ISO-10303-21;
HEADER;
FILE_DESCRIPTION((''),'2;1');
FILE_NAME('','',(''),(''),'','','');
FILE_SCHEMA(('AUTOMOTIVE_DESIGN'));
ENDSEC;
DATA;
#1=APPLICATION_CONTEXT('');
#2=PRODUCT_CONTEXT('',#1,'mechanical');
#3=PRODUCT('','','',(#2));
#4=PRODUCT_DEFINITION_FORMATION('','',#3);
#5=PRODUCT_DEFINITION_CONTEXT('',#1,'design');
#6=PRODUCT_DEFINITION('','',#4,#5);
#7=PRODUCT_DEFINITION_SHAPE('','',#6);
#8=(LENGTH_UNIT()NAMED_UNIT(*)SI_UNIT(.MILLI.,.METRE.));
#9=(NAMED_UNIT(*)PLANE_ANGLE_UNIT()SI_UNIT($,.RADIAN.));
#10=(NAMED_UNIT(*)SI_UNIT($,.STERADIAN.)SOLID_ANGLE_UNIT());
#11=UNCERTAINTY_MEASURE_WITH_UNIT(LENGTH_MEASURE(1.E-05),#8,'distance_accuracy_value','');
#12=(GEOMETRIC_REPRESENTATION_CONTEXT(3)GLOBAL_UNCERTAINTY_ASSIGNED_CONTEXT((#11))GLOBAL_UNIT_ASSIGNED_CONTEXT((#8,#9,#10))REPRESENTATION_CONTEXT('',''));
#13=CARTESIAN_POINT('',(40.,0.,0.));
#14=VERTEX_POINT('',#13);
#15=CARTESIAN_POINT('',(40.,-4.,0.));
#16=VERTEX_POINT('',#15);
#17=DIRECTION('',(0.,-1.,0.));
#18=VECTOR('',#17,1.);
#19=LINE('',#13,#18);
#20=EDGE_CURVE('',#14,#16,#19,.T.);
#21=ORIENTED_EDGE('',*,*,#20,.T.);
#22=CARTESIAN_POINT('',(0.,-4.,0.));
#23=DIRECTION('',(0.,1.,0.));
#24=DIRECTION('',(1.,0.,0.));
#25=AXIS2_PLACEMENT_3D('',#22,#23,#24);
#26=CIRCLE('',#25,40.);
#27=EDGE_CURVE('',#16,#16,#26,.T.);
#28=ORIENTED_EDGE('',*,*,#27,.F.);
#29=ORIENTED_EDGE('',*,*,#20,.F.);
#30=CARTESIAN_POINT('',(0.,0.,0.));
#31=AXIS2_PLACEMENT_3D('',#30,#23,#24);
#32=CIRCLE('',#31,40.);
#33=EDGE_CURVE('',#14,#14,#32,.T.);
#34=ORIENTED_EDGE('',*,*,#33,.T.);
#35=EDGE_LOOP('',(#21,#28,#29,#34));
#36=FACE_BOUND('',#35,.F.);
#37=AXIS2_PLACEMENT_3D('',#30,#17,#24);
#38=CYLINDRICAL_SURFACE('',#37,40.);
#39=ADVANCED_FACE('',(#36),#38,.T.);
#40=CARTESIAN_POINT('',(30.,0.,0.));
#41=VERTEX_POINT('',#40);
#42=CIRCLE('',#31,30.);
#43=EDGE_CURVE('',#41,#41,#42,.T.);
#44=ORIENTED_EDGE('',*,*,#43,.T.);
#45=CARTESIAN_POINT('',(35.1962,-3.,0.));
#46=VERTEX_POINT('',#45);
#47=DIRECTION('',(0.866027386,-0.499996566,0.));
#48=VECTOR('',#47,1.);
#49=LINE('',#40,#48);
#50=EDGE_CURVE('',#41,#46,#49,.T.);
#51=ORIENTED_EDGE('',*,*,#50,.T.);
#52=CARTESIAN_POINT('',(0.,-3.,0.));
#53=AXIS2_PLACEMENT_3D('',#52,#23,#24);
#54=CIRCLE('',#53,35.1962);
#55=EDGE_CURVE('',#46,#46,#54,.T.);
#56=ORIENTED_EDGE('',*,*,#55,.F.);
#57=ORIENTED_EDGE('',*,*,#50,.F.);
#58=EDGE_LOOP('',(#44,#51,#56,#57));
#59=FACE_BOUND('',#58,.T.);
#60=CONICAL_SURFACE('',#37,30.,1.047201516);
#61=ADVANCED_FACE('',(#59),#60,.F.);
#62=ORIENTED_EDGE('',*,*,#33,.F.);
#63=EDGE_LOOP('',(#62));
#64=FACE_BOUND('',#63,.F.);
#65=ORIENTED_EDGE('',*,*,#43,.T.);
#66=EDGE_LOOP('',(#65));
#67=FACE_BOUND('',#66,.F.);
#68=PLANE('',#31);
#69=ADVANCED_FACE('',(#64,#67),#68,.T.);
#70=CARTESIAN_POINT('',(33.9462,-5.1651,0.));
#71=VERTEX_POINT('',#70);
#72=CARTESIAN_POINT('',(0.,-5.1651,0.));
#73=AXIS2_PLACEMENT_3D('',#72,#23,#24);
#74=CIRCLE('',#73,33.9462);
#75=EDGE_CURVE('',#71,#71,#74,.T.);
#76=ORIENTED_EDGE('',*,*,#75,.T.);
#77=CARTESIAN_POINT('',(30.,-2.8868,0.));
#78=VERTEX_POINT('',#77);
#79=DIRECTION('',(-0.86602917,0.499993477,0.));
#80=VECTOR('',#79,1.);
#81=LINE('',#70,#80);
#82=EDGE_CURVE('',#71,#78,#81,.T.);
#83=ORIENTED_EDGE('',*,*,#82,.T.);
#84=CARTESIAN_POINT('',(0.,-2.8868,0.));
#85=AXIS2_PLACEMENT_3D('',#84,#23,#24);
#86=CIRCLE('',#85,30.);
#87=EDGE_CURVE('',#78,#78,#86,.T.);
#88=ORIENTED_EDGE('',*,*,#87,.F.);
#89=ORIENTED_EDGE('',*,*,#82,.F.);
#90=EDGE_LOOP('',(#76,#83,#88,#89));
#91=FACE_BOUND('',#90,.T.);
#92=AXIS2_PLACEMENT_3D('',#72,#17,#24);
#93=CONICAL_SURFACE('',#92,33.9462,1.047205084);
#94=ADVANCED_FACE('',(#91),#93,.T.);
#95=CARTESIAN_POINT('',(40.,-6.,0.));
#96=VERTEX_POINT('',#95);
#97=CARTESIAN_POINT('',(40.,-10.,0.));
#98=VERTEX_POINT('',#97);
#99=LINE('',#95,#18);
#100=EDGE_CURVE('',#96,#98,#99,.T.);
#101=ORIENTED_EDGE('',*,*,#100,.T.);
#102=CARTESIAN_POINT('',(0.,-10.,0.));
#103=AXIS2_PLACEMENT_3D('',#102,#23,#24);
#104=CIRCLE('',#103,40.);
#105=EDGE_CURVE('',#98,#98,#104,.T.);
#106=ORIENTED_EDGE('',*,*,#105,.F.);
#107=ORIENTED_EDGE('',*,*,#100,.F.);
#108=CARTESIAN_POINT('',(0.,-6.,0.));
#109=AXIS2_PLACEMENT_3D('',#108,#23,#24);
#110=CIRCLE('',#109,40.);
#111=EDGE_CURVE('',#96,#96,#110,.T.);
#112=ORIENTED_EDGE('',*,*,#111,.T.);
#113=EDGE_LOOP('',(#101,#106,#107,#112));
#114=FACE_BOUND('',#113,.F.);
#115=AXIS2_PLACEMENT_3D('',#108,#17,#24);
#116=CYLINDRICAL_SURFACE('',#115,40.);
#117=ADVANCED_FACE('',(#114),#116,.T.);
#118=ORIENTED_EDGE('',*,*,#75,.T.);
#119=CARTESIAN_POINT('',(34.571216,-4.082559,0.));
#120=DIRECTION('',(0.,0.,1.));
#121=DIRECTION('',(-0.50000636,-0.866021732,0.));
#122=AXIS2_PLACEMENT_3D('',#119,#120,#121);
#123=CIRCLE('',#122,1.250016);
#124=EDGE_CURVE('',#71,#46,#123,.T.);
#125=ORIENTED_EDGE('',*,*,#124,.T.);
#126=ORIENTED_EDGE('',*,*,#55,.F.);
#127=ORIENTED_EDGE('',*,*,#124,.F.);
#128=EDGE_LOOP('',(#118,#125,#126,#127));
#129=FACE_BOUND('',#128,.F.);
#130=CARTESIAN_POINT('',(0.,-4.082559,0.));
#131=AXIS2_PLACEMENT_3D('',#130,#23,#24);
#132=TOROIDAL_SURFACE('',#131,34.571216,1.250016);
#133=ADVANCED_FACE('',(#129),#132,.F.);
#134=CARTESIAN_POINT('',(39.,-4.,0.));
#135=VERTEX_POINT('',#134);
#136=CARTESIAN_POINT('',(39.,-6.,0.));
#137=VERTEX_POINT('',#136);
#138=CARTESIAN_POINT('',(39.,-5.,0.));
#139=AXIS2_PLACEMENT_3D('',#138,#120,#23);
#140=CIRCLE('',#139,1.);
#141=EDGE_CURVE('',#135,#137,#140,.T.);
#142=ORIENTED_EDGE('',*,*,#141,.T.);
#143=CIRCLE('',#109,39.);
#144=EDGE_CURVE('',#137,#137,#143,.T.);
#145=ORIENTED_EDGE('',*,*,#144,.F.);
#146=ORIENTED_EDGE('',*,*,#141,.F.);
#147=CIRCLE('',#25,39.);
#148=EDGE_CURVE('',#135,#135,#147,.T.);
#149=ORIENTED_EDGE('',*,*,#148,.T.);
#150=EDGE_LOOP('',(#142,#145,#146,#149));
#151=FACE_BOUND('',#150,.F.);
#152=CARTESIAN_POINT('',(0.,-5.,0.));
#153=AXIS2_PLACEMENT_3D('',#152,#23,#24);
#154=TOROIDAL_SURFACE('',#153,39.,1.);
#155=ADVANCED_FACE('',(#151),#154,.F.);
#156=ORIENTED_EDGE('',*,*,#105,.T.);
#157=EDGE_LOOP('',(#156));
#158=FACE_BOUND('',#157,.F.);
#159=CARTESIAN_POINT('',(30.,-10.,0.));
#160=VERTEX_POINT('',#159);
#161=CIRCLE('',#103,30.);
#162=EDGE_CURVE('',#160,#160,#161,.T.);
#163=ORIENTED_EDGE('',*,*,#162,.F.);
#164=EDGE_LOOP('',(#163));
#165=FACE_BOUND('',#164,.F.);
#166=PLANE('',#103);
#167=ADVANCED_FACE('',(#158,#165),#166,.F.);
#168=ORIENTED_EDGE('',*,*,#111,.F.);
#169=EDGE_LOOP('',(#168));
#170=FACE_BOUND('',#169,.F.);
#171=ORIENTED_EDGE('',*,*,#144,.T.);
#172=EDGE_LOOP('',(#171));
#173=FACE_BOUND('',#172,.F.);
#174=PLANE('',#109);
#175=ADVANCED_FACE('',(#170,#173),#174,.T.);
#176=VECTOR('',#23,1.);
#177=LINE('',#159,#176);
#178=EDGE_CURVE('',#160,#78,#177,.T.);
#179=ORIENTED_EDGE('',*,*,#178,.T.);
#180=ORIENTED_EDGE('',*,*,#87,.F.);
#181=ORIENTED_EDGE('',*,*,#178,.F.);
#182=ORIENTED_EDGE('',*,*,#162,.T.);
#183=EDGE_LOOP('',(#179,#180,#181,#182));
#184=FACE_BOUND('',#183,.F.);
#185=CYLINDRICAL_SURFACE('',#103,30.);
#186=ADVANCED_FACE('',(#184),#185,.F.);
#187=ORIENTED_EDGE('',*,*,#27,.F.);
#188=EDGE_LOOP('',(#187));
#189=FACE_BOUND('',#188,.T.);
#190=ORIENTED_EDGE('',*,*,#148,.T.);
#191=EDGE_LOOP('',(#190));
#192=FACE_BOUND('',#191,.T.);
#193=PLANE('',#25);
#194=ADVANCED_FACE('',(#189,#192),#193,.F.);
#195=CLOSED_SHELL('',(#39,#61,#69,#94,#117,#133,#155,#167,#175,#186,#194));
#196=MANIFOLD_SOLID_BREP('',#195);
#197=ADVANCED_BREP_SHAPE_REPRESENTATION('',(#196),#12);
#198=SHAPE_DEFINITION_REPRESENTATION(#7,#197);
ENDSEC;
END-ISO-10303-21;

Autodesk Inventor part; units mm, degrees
ref_plane "YZ Plane" through (0, 0, 0) normal (1, 0, 0) x (0, 1, 0)
ref_plane "XZ Plane" through (0, 0, 0) normal (0, 1, 0) x (-1, 0, 0)
ref_plane "XY Plane" through (0, 0, 0) normal (0, 0, 1) x (1, 0, 0)
sketch "Эскиз1" plane through (0, 0, 0) normal (0, 0, 1) x (1, 0, 0)
  line L0 (0, 0) -> (30, 0)
  line L1 (30, 0) -> (40, 0)
  line L2 (40, -10) -> (30, -10)
  line L3 (30, -10) -> (30, -2.8868)
  line L4 (30, 0) -> (35.1962, -3)
  line L5 (33.9462, -5.1651) -> (30, -2.8868)
  arc A0 (33.9462, -5.1651) -> (35.1962, -3) centre (34.5712, -4.0825) ccw
  arc A1 (39, -4) -> (39, -6) centre (39, -5) ccw
  line L6 (39, -6) -> (40, -6)
  line L7 (39, -4) -> (40, -4)
  line L8 (40, 0) -> (40, -4)
  line L9 (40, -6) -> (40, -10)
  line L10 (0, -12) -> (0, 2) projected
  dimension "d0" = 30
  dimension "d1" = 10
  dimension "d2" = 10
  dimension "d3" = 6
  dimension "d5" = 30
  dimension "d7" = 2
revolve "Вращение1" add sketch "Эскиз1" angle 360 about axis through (0, -10, 0) along (0, 1, 0)
properties part number "Маслосъемное кольцо" material "Сталь, легированная"
